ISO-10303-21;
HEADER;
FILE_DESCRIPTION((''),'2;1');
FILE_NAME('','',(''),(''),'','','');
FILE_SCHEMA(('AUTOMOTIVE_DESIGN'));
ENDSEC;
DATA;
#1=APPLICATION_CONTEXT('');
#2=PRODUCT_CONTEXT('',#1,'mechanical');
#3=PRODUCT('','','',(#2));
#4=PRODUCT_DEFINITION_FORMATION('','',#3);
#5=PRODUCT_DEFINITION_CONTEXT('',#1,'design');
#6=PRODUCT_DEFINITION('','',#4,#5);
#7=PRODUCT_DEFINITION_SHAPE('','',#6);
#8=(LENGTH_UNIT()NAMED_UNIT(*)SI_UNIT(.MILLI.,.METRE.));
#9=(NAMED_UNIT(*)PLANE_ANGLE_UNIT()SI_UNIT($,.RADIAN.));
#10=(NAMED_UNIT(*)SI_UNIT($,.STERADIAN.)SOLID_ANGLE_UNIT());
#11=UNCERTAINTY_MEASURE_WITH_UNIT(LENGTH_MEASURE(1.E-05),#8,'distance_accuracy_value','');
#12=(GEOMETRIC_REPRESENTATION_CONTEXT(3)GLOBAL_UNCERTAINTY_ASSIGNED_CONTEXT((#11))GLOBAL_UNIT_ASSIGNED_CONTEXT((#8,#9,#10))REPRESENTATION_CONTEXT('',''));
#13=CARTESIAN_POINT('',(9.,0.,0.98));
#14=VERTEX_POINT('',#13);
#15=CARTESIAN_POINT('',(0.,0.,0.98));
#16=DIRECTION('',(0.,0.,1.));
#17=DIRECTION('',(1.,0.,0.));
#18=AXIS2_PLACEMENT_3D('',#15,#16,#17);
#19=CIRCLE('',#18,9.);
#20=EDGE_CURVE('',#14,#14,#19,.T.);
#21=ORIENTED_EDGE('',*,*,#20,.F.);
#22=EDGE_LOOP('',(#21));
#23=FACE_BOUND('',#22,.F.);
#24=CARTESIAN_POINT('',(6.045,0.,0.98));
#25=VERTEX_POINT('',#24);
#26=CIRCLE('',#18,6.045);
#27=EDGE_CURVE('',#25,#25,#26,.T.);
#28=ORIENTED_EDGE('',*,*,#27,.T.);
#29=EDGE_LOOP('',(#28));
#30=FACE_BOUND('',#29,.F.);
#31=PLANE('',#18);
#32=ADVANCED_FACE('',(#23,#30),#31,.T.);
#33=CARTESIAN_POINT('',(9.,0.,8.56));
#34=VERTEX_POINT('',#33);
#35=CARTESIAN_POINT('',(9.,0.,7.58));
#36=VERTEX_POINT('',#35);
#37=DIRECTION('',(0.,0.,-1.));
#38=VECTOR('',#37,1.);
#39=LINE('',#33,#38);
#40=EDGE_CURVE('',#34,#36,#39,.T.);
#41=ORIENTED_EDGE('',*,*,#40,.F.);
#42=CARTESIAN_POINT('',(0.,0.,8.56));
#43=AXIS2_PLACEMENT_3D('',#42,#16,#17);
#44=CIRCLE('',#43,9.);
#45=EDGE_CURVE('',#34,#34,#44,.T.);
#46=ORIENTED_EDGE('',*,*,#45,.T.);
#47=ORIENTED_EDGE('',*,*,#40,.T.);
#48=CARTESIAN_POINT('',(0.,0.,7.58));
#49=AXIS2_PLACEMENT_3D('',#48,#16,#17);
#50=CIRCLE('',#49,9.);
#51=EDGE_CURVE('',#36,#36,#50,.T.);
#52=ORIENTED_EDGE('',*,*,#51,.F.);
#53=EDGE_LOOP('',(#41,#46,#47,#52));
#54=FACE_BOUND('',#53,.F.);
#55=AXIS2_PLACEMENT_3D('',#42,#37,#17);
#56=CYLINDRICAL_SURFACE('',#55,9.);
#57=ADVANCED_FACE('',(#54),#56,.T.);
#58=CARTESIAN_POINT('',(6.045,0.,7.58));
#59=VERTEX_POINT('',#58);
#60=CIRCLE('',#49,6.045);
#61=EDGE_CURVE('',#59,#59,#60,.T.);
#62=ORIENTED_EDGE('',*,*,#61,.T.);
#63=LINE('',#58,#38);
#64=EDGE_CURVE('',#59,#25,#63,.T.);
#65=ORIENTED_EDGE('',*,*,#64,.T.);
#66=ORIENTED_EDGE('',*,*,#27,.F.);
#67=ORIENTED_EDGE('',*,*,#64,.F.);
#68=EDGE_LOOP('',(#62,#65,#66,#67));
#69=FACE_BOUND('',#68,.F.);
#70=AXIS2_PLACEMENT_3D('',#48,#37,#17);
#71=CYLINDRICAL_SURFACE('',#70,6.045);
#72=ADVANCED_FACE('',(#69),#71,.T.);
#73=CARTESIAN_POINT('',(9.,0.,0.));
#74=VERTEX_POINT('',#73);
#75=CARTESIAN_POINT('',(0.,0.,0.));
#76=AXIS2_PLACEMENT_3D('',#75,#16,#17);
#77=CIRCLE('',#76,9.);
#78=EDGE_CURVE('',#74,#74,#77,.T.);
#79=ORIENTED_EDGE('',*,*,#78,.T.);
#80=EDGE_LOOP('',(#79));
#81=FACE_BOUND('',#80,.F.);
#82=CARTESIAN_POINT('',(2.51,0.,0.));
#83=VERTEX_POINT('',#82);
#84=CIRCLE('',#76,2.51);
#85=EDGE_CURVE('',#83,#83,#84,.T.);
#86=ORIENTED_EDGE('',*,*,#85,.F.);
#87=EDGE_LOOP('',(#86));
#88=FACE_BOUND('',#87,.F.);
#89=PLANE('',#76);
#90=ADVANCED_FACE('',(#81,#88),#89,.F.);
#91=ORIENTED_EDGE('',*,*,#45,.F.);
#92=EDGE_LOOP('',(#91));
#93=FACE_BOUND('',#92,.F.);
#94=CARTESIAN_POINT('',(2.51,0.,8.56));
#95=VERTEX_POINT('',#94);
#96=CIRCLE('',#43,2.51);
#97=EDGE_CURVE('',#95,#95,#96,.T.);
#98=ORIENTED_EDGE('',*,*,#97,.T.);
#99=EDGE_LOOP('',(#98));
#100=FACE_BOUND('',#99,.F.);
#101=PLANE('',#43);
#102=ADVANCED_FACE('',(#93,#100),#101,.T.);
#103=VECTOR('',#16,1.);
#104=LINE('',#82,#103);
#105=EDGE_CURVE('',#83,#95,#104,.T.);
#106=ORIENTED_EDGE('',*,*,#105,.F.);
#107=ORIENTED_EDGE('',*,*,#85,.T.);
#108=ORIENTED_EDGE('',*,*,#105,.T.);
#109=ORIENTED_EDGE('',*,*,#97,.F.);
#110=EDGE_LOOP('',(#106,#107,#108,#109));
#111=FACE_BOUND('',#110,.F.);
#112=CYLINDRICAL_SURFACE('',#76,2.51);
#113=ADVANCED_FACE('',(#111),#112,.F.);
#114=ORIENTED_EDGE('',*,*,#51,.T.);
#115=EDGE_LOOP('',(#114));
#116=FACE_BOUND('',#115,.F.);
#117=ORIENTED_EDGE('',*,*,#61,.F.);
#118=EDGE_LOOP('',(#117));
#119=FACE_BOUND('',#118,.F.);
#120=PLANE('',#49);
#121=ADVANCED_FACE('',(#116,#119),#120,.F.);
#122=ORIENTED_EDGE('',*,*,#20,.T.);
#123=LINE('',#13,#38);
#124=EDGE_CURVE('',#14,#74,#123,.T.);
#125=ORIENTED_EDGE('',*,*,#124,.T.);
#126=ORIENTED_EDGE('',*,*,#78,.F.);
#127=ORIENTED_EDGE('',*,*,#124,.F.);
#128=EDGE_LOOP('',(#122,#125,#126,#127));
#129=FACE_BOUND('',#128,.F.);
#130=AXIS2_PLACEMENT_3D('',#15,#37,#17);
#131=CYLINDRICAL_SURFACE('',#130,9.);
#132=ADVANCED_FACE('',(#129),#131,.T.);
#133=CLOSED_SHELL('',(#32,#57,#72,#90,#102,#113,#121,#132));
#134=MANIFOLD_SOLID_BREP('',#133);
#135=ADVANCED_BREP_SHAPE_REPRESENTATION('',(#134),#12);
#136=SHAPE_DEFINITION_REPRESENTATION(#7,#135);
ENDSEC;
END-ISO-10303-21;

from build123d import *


with BuildPart() as part:
    # Sketch → Revolution (revolve)
    with BuildSketch(Plane.XZ):
        Polygon((2.51, 0), (2.51, 8.56), (9, 8.56), (9, 7.58), (6.045, 7.58), (6.045, 0.98), (9, 0.98), (9, 0), align=None)
    revolve(axis=Axis((0, 0, 0), (0, 0, 1)))


solid = part.part
